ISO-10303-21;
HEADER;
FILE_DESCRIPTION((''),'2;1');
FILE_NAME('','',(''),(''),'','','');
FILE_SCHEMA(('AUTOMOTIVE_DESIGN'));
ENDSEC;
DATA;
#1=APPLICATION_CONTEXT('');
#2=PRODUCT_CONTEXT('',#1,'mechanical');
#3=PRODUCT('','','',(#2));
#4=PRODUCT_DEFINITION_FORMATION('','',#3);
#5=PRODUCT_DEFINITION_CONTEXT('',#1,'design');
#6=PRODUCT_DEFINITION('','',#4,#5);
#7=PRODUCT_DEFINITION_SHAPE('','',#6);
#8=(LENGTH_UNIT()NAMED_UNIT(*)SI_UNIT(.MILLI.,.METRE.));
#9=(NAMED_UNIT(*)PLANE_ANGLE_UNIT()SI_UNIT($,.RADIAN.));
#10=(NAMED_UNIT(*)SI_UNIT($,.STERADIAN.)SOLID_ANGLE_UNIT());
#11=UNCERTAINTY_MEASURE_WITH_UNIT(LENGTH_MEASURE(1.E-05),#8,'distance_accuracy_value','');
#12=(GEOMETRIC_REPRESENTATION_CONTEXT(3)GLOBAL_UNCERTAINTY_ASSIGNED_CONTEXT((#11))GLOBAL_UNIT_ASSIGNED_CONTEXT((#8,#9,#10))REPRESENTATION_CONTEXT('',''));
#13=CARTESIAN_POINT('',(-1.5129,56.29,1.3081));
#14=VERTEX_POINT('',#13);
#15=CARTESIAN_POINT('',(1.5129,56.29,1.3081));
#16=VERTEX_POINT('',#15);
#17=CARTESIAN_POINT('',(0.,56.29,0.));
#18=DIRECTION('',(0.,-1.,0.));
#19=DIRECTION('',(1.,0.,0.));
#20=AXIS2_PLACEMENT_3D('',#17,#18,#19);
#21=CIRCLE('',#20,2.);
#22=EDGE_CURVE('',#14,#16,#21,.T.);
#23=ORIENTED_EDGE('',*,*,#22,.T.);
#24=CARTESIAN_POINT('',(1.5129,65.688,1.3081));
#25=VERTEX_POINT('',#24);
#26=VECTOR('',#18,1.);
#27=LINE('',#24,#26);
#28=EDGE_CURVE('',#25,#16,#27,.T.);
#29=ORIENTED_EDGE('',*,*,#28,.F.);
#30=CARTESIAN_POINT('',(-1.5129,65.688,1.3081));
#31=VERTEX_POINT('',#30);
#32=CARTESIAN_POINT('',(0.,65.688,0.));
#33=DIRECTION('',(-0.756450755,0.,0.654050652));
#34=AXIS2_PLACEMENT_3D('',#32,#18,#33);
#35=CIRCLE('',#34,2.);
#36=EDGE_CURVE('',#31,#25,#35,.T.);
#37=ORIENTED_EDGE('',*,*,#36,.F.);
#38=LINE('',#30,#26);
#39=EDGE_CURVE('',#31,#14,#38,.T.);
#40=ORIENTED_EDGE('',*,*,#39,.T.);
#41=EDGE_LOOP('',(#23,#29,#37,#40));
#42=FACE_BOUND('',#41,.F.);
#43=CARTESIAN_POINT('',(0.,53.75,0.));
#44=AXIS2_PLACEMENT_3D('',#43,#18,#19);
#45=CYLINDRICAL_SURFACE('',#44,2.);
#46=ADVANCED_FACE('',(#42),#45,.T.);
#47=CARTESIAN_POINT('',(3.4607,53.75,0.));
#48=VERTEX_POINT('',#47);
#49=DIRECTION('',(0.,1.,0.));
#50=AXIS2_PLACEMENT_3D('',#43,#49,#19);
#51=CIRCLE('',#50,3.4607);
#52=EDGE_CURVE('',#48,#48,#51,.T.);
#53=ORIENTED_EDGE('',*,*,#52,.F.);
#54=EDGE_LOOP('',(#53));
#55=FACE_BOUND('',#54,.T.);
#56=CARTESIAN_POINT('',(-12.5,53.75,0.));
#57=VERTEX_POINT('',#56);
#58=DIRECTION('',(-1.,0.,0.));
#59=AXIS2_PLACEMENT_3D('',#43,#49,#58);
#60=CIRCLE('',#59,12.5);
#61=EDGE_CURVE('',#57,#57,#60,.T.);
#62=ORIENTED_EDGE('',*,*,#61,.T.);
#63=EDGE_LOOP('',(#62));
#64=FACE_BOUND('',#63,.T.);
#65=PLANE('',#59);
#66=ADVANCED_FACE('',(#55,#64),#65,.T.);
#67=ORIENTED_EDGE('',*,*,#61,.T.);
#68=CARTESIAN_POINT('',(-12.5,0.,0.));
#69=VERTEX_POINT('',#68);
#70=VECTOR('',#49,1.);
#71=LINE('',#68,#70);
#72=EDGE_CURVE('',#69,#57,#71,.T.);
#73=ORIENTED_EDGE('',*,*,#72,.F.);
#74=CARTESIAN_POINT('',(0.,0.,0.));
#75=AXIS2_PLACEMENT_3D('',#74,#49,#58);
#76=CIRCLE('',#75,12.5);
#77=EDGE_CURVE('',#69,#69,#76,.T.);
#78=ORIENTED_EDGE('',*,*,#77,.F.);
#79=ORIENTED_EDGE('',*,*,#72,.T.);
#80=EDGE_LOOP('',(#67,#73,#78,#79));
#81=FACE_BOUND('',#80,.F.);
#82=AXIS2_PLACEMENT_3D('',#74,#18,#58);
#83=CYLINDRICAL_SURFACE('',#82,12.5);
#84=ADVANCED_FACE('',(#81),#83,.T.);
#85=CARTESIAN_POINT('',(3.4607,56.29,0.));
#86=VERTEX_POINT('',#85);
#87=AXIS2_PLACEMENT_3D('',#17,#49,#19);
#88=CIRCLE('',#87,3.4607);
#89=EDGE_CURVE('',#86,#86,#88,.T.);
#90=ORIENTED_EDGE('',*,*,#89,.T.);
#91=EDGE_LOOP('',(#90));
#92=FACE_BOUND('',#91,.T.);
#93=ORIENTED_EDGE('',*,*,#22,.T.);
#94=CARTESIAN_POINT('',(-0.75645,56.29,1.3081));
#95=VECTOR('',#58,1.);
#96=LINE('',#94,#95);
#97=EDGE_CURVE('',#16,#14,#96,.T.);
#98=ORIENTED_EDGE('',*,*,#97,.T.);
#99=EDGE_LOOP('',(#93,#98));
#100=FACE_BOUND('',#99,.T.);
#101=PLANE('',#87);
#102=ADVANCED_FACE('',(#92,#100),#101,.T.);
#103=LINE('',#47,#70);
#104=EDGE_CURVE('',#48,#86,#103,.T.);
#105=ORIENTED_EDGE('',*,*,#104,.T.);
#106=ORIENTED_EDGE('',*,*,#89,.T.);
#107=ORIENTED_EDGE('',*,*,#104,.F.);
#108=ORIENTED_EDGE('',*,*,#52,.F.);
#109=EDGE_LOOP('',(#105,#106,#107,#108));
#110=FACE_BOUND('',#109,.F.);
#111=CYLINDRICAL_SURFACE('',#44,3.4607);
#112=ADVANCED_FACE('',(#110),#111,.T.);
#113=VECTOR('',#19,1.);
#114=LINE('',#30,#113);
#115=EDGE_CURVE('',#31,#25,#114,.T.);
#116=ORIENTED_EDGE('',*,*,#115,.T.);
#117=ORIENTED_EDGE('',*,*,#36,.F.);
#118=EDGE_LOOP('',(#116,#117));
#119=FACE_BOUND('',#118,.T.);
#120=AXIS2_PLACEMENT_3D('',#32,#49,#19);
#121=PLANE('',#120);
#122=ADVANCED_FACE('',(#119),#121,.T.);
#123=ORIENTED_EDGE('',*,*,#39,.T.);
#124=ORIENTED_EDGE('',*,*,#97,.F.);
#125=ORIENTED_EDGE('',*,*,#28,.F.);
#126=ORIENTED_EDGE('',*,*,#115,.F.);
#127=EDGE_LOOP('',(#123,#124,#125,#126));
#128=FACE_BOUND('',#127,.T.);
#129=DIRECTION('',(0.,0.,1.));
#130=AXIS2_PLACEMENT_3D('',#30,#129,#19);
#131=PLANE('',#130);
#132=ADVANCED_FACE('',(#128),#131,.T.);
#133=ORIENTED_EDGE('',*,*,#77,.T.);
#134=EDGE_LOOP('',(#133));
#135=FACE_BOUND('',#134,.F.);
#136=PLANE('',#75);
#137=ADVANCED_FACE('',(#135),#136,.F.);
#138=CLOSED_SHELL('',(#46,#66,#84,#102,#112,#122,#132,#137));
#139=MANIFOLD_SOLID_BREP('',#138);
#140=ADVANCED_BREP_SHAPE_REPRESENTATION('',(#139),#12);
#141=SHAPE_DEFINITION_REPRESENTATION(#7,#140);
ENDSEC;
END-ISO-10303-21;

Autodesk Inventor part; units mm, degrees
ref_plane "YZ Plane" through (0, 0, 0) normal (1, 0, 0) x (0, 1, 0)
ref_plane "XZ Plane" through (0, 0, 0) normal (0, 1, 0) x (-1, 0, 0)
ref_plane "XY Plane" through (0, 0, 0) normal (0, 0, 1) x (1, 0, 0)
sketch "Sketch1" plane through (0, 0, 0) normal (0, 1, 0) x (-1, 0, 0)
  circle A0 centre (0, 0) radius 12.5
  dimension "d0" = 25
extrude "Extrusion1" add sketch "Sketch1" along normal blind 53.75
sketch "Sketch2" plane through (0, 53.75, 0) normal (0, 1, 0) x (1, 0, 0)
  circle A0 centre (0, 0) radius 2
  dimension "d3" = 4
extrude "Extrusion2" add sketch "Sketch2" along normal blind 11.938
sketch "Sketch3" plane through (0, 65.688, 0) normal (0, 1, 0) x (1, 0, 0)
  line L0 (-1.5129, -1.3081) -> (1.5129, -1.3081)
  circle A0 centre (0, 0) radius 2 projected
  arc A1 (-1.5129, -1.3081) -> (1.5129, -1.3081) centre (0, 0) ccw
  dimension "d12" = 1.3081
extrude "Extrusion3" cut sketch "Sketch3" against normal up to surface (11.938 mm away) contours L0 A0 picked at (-0.3834, -1.4174)
sketch "Sketch4" plane through (0, 53.75, 0) normal (0, 1, 0) x (1, 0, 0)
  circle A0 centre (0, 0) radius 3.4607
  dimension "d9" = 6.9215
extrude "Extrusion4" add sketch "Sketch4" along normal blind 2.54
properties part number "Motor"
